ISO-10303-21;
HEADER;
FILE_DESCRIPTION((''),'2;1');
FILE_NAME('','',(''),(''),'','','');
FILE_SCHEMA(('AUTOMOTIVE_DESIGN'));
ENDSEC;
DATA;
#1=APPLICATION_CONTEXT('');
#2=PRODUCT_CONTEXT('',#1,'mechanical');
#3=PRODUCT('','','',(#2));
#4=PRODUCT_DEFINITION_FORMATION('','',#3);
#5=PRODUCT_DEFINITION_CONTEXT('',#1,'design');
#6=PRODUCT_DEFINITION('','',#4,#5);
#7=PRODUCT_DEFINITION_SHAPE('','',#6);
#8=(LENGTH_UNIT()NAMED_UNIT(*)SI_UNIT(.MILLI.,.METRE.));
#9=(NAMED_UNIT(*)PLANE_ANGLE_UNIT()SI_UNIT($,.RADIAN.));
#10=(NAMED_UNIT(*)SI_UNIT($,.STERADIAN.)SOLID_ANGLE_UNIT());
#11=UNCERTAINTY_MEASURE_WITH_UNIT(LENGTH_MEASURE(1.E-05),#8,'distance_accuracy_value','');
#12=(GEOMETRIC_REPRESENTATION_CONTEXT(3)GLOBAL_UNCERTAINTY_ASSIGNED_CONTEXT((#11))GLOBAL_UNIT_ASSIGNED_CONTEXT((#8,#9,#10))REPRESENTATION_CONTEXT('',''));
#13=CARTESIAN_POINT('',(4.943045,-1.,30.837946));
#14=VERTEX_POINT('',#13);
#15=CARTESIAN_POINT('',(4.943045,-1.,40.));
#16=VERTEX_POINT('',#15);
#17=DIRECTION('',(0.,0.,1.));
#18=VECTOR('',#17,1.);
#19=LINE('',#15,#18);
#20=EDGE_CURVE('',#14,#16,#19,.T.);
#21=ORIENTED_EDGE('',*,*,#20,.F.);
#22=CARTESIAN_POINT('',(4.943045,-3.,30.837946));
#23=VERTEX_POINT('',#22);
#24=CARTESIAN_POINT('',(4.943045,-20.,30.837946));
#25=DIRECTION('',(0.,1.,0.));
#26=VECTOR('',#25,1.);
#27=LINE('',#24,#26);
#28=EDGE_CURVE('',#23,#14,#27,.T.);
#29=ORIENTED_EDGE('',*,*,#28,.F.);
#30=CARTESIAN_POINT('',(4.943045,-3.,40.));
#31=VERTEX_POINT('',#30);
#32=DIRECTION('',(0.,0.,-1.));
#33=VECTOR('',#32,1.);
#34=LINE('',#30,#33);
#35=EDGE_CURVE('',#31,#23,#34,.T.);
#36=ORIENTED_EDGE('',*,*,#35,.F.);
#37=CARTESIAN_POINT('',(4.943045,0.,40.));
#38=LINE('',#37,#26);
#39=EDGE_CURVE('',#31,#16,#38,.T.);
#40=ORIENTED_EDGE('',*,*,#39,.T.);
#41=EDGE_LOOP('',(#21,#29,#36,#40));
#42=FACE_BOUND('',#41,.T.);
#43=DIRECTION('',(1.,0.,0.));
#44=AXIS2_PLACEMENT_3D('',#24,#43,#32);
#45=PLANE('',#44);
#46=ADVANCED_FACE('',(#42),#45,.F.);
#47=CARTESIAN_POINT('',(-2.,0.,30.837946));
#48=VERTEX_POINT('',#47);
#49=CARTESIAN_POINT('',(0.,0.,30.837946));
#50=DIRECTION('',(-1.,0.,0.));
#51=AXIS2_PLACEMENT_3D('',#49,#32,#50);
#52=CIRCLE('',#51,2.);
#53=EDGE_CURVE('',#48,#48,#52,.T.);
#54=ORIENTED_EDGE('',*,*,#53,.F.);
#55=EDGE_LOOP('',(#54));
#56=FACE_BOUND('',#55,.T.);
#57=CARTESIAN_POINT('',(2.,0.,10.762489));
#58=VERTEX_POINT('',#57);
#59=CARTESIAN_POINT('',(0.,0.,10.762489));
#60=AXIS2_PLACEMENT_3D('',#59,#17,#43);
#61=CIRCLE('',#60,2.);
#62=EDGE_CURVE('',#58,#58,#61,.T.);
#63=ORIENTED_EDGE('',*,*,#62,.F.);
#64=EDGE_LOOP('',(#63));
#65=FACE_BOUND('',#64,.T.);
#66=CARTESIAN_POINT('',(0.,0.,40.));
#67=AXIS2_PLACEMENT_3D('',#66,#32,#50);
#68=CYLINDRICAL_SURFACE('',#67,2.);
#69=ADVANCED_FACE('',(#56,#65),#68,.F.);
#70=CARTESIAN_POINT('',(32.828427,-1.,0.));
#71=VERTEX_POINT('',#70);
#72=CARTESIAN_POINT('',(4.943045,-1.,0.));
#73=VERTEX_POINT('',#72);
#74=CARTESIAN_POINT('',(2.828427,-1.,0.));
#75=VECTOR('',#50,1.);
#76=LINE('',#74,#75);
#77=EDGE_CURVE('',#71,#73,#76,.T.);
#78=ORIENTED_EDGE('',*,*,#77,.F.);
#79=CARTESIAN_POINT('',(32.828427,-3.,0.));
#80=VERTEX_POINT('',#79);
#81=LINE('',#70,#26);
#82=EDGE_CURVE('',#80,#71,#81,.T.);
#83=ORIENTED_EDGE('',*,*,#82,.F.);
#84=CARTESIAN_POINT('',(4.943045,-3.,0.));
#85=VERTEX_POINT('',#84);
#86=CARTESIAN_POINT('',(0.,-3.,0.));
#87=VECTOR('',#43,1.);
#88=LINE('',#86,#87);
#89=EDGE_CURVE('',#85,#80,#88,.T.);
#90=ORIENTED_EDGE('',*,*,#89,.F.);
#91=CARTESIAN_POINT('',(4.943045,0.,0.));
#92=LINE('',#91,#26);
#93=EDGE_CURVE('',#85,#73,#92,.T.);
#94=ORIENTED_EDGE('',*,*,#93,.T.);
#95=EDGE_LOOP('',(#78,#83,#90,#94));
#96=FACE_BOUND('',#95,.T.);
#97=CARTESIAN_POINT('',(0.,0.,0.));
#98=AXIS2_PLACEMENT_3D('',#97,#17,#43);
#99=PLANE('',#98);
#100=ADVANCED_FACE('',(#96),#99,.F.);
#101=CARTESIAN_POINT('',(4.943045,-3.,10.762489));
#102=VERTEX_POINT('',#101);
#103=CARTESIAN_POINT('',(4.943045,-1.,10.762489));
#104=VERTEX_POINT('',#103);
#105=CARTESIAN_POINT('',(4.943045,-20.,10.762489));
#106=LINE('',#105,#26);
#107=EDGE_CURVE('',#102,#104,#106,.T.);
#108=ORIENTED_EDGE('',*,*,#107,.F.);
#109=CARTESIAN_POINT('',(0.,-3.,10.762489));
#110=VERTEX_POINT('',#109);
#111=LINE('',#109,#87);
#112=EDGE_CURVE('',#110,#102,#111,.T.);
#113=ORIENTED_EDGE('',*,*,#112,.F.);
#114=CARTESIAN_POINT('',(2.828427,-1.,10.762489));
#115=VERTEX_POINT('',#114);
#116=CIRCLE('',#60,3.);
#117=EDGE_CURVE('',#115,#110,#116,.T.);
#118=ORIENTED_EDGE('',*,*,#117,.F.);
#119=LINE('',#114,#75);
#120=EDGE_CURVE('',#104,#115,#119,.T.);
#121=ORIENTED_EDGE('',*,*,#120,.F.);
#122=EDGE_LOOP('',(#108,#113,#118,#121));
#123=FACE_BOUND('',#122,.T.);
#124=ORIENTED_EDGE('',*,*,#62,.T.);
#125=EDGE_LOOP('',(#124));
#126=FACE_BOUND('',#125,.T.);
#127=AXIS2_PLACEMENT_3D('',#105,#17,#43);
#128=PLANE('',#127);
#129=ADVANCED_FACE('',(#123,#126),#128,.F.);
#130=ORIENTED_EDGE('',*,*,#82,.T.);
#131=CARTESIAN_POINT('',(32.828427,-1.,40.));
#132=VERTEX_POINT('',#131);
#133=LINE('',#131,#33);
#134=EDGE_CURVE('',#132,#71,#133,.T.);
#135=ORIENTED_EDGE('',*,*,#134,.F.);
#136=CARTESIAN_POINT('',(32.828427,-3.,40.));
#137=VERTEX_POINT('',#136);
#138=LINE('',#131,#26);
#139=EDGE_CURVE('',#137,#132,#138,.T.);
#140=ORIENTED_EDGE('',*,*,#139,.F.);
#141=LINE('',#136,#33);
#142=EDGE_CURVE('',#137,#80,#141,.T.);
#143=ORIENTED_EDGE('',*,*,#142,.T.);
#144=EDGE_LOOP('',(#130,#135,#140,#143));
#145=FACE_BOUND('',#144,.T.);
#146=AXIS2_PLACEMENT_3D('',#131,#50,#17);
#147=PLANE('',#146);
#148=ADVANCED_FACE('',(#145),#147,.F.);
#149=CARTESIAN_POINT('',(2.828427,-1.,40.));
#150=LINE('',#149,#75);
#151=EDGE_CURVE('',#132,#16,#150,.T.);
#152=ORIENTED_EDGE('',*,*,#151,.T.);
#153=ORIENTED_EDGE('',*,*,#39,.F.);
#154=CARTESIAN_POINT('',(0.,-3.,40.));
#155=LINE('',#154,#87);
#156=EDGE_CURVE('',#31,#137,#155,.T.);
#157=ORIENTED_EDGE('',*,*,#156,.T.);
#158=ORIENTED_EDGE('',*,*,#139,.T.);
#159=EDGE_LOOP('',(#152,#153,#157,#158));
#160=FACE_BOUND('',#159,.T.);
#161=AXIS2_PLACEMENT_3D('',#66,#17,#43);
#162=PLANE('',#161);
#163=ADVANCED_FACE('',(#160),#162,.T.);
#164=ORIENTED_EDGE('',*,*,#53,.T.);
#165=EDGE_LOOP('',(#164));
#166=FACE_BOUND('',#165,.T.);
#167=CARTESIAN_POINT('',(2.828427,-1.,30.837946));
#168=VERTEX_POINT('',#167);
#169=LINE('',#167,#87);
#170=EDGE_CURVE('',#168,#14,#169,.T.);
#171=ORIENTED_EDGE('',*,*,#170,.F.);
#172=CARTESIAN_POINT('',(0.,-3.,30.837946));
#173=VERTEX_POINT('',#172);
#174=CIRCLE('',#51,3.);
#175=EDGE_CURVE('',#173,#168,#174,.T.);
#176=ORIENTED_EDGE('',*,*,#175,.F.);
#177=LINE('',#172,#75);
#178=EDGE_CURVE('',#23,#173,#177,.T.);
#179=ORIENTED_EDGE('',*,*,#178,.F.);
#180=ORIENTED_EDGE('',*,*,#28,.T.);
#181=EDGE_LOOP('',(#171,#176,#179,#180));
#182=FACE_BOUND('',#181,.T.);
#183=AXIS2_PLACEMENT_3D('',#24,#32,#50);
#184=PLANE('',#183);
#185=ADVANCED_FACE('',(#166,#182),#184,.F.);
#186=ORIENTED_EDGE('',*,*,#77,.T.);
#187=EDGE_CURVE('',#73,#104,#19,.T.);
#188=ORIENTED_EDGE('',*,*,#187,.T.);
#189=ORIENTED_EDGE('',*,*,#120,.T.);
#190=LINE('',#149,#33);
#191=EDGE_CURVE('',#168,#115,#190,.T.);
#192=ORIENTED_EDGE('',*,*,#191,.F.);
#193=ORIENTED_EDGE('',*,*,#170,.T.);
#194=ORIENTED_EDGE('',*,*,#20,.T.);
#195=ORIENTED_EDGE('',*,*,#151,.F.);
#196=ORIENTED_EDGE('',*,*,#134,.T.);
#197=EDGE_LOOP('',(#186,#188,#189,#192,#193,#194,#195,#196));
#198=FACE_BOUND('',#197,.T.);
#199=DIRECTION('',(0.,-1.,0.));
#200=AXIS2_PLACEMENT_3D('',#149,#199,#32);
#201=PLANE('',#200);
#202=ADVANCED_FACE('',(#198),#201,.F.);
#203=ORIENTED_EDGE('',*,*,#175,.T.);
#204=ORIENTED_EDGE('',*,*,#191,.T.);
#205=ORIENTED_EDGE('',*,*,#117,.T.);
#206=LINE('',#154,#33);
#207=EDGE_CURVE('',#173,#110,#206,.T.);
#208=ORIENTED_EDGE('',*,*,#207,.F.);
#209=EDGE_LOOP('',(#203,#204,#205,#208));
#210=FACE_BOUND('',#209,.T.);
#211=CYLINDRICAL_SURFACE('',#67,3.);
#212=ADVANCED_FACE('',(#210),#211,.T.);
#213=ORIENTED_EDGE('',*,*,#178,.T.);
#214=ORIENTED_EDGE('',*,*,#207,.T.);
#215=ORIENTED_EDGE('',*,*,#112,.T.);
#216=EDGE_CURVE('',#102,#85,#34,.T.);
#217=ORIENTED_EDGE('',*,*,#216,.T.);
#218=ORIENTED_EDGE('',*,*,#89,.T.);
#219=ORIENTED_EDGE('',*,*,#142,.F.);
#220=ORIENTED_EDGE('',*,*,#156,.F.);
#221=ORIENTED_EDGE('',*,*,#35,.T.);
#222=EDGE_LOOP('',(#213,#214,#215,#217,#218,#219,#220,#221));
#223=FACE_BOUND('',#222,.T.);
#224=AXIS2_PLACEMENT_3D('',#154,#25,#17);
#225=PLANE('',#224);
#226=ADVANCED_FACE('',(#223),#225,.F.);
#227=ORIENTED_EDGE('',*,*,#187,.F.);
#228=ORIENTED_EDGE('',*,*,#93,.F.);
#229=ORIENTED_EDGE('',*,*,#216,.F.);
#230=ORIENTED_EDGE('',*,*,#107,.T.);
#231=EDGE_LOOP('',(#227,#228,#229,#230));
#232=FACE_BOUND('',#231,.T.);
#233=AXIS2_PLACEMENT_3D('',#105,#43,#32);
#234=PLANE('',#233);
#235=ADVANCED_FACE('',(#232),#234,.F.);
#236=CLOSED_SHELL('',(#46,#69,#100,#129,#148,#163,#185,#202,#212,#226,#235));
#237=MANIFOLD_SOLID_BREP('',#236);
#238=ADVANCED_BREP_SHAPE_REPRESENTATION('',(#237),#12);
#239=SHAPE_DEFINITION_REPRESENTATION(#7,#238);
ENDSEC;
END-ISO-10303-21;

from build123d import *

# Parameters (mm, degrees)
SKETCH_1_R          = 2
EXTRUDE_1_DEPTH     = 40
SKETCH_2_W          = 10.776638496
SKETCH_2_H          = 12.262488547
SKETCH_2_H_2        = 11.437792605
CUT_EXTRUDE_2_DEPTH = 20


with BuildPart() as part:
    # Эскиз1 → Вытянуть1 (new body)
    with BuildSketch(Plane.XY):
        with BuildLine():
            Line((2.828427125, -1), (32.828427125, -1))
            Line((32.828427125, -1), (32.828427125, -3))
            Line((32.828427125, -3), (0, -3))
            ThreePointArc((0, -3), (-1.732050808, 2.449489743), (2.828427125, -1))
        make_face()
        Circle(SKETCH_1_R, mode=Mode.SUBTRACT)
    extrude(amount=EXTRUDE_1_DEPTH)

    # Эскиз2 → Вытянуть2 (cut, symmetric)
    with BuildSketch(Plane(origin=(0, 0, 0), x_dir=(1, 0, 0), z_dir=(0, 1, 0))):
        with Locations((-0.445273779, -4.631244274)):
            Rectangle(SKETCH_2_W, SKETCH_2_H)
        with Locations((-0.445273779, -36.556842192)):
            Rectangle(SKETCH_2_W, SKETCH_2_H_2)
    extrude(amount=CUT_EXTRUDE_2_DEPTH, both=True, mode=Mode.SUBTRACT)


solid = part.part
